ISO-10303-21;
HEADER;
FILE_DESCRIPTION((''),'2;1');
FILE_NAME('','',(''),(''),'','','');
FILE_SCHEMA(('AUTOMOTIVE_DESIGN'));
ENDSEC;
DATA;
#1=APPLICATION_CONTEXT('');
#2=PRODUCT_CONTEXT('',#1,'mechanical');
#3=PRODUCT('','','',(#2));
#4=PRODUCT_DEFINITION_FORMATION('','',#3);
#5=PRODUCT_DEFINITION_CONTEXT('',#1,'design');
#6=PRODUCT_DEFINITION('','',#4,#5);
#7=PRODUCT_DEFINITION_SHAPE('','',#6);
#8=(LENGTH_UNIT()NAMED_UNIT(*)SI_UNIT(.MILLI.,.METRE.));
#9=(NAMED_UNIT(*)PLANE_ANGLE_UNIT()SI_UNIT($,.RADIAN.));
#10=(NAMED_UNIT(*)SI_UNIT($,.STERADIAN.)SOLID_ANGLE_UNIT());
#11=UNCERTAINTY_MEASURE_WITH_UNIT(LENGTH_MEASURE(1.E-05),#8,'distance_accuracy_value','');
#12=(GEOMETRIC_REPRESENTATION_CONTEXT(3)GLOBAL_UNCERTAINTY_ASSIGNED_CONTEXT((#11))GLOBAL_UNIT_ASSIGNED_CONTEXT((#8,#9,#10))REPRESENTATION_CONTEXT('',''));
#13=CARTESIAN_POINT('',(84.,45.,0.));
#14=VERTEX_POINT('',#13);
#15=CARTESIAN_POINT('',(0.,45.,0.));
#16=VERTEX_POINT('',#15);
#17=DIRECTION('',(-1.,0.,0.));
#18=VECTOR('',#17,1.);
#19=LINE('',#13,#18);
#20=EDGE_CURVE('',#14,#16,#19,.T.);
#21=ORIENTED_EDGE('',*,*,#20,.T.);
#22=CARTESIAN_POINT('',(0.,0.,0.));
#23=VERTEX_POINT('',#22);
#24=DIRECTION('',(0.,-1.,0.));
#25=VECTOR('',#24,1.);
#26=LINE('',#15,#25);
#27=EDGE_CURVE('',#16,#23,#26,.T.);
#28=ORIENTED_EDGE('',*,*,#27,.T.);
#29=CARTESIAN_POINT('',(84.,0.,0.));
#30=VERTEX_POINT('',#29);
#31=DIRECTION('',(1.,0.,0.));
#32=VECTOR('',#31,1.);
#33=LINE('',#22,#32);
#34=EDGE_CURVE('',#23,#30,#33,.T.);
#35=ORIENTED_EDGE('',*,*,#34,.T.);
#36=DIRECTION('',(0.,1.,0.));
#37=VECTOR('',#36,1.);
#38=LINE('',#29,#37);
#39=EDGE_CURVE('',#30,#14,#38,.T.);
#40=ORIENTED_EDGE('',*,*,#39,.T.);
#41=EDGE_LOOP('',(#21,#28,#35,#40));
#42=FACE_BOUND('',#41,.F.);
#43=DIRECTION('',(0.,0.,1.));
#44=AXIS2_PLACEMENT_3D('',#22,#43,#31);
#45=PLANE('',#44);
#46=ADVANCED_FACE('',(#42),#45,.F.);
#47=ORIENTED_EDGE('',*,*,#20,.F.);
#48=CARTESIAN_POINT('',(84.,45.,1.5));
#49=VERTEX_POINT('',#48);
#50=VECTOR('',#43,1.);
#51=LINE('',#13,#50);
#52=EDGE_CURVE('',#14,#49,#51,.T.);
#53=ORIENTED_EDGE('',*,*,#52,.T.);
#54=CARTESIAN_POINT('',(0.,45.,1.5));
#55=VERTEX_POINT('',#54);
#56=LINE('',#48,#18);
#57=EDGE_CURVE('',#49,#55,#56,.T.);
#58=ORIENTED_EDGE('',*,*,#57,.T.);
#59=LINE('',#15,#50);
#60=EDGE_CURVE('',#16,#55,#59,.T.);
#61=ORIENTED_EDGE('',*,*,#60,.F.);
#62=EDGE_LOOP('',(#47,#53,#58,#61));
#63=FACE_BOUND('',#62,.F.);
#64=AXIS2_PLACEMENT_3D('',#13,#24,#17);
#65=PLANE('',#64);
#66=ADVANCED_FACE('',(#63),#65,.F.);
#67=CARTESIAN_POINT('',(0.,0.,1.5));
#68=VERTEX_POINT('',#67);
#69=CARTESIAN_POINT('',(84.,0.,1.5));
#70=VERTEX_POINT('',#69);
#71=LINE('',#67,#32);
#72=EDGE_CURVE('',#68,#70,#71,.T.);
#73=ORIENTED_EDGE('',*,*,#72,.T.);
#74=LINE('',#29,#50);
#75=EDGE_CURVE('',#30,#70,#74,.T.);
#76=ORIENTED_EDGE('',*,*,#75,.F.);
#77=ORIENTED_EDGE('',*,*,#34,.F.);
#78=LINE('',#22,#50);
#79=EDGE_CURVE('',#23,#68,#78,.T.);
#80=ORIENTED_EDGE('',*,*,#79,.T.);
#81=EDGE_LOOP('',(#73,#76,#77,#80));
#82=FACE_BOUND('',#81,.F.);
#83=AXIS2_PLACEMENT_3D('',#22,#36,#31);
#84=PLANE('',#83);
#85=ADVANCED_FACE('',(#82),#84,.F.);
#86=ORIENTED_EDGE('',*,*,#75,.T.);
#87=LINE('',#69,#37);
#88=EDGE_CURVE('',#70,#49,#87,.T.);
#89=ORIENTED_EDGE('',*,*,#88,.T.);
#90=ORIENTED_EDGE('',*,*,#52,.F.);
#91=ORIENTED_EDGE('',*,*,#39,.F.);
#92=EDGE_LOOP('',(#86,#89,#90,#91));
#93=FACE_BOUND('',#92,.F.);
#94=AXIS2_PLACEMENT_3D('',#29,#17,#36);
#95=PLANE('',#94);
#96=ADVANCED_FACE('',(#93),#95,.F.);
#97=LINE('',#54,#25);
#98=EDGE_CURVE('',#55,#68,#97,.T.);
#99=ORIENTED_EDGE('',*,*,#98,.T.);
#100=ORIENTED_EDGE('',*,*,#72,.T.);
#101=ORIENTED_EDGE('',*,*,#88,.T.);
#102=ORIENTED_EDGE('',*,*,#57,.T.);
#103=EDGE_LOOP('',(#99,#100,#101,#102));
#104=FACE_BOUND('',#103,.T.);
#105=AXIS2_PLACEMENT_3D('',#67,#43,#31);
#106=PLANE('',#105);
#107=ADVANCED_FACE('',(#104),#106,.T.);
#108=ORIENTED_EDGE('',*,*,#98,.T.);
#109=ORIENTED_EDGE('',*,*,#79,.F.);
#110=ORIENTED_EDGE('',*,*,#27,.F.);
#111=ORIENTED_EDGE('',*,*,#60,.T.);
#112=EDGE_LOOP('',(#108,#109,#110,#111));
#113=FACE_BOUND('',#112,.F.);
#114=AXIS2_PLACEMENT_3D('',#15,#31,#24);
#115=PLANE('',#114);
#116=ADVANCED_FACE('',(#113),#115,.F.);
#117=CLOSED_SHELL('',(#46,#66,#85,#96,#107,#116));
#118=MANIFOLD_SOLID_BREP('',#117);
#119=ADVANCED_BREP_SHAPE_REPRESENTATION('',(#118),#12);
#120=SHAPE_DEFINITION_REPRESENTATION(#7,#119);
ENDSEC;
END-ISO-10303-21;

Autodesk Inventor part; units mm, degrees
ref_plane "YZ Plane" through (0, 0, 0) normal (1, 0, 0) x (0, 1, 0)
ref_plane "XZ Plane" through (0, 0, 0) normal (0, 1, 0) x (-1, 0, 0)
ref_plane "XY Plane" through (0, 0, 0) normal (0, 0, 1) x (1, 0, 0)
sketch "スケッチ1" plane through (0, 0, 0) normal (0, 0, 1) x (1, 0, 0)
  line L0 (0, 0) -> (84, 0)
  line L1 (84, 0) -> (84, 45)
  line L2 (84, 45) -> (0, 45)
  line L3 (0, 45) -> (0, 0)
  dimension "d0" = 45
  dimension "d1" = 84
extrude "押し出し1" add sketch "スケッチ1" along normal blind 1.5
properties part number "center_servo_jig"
